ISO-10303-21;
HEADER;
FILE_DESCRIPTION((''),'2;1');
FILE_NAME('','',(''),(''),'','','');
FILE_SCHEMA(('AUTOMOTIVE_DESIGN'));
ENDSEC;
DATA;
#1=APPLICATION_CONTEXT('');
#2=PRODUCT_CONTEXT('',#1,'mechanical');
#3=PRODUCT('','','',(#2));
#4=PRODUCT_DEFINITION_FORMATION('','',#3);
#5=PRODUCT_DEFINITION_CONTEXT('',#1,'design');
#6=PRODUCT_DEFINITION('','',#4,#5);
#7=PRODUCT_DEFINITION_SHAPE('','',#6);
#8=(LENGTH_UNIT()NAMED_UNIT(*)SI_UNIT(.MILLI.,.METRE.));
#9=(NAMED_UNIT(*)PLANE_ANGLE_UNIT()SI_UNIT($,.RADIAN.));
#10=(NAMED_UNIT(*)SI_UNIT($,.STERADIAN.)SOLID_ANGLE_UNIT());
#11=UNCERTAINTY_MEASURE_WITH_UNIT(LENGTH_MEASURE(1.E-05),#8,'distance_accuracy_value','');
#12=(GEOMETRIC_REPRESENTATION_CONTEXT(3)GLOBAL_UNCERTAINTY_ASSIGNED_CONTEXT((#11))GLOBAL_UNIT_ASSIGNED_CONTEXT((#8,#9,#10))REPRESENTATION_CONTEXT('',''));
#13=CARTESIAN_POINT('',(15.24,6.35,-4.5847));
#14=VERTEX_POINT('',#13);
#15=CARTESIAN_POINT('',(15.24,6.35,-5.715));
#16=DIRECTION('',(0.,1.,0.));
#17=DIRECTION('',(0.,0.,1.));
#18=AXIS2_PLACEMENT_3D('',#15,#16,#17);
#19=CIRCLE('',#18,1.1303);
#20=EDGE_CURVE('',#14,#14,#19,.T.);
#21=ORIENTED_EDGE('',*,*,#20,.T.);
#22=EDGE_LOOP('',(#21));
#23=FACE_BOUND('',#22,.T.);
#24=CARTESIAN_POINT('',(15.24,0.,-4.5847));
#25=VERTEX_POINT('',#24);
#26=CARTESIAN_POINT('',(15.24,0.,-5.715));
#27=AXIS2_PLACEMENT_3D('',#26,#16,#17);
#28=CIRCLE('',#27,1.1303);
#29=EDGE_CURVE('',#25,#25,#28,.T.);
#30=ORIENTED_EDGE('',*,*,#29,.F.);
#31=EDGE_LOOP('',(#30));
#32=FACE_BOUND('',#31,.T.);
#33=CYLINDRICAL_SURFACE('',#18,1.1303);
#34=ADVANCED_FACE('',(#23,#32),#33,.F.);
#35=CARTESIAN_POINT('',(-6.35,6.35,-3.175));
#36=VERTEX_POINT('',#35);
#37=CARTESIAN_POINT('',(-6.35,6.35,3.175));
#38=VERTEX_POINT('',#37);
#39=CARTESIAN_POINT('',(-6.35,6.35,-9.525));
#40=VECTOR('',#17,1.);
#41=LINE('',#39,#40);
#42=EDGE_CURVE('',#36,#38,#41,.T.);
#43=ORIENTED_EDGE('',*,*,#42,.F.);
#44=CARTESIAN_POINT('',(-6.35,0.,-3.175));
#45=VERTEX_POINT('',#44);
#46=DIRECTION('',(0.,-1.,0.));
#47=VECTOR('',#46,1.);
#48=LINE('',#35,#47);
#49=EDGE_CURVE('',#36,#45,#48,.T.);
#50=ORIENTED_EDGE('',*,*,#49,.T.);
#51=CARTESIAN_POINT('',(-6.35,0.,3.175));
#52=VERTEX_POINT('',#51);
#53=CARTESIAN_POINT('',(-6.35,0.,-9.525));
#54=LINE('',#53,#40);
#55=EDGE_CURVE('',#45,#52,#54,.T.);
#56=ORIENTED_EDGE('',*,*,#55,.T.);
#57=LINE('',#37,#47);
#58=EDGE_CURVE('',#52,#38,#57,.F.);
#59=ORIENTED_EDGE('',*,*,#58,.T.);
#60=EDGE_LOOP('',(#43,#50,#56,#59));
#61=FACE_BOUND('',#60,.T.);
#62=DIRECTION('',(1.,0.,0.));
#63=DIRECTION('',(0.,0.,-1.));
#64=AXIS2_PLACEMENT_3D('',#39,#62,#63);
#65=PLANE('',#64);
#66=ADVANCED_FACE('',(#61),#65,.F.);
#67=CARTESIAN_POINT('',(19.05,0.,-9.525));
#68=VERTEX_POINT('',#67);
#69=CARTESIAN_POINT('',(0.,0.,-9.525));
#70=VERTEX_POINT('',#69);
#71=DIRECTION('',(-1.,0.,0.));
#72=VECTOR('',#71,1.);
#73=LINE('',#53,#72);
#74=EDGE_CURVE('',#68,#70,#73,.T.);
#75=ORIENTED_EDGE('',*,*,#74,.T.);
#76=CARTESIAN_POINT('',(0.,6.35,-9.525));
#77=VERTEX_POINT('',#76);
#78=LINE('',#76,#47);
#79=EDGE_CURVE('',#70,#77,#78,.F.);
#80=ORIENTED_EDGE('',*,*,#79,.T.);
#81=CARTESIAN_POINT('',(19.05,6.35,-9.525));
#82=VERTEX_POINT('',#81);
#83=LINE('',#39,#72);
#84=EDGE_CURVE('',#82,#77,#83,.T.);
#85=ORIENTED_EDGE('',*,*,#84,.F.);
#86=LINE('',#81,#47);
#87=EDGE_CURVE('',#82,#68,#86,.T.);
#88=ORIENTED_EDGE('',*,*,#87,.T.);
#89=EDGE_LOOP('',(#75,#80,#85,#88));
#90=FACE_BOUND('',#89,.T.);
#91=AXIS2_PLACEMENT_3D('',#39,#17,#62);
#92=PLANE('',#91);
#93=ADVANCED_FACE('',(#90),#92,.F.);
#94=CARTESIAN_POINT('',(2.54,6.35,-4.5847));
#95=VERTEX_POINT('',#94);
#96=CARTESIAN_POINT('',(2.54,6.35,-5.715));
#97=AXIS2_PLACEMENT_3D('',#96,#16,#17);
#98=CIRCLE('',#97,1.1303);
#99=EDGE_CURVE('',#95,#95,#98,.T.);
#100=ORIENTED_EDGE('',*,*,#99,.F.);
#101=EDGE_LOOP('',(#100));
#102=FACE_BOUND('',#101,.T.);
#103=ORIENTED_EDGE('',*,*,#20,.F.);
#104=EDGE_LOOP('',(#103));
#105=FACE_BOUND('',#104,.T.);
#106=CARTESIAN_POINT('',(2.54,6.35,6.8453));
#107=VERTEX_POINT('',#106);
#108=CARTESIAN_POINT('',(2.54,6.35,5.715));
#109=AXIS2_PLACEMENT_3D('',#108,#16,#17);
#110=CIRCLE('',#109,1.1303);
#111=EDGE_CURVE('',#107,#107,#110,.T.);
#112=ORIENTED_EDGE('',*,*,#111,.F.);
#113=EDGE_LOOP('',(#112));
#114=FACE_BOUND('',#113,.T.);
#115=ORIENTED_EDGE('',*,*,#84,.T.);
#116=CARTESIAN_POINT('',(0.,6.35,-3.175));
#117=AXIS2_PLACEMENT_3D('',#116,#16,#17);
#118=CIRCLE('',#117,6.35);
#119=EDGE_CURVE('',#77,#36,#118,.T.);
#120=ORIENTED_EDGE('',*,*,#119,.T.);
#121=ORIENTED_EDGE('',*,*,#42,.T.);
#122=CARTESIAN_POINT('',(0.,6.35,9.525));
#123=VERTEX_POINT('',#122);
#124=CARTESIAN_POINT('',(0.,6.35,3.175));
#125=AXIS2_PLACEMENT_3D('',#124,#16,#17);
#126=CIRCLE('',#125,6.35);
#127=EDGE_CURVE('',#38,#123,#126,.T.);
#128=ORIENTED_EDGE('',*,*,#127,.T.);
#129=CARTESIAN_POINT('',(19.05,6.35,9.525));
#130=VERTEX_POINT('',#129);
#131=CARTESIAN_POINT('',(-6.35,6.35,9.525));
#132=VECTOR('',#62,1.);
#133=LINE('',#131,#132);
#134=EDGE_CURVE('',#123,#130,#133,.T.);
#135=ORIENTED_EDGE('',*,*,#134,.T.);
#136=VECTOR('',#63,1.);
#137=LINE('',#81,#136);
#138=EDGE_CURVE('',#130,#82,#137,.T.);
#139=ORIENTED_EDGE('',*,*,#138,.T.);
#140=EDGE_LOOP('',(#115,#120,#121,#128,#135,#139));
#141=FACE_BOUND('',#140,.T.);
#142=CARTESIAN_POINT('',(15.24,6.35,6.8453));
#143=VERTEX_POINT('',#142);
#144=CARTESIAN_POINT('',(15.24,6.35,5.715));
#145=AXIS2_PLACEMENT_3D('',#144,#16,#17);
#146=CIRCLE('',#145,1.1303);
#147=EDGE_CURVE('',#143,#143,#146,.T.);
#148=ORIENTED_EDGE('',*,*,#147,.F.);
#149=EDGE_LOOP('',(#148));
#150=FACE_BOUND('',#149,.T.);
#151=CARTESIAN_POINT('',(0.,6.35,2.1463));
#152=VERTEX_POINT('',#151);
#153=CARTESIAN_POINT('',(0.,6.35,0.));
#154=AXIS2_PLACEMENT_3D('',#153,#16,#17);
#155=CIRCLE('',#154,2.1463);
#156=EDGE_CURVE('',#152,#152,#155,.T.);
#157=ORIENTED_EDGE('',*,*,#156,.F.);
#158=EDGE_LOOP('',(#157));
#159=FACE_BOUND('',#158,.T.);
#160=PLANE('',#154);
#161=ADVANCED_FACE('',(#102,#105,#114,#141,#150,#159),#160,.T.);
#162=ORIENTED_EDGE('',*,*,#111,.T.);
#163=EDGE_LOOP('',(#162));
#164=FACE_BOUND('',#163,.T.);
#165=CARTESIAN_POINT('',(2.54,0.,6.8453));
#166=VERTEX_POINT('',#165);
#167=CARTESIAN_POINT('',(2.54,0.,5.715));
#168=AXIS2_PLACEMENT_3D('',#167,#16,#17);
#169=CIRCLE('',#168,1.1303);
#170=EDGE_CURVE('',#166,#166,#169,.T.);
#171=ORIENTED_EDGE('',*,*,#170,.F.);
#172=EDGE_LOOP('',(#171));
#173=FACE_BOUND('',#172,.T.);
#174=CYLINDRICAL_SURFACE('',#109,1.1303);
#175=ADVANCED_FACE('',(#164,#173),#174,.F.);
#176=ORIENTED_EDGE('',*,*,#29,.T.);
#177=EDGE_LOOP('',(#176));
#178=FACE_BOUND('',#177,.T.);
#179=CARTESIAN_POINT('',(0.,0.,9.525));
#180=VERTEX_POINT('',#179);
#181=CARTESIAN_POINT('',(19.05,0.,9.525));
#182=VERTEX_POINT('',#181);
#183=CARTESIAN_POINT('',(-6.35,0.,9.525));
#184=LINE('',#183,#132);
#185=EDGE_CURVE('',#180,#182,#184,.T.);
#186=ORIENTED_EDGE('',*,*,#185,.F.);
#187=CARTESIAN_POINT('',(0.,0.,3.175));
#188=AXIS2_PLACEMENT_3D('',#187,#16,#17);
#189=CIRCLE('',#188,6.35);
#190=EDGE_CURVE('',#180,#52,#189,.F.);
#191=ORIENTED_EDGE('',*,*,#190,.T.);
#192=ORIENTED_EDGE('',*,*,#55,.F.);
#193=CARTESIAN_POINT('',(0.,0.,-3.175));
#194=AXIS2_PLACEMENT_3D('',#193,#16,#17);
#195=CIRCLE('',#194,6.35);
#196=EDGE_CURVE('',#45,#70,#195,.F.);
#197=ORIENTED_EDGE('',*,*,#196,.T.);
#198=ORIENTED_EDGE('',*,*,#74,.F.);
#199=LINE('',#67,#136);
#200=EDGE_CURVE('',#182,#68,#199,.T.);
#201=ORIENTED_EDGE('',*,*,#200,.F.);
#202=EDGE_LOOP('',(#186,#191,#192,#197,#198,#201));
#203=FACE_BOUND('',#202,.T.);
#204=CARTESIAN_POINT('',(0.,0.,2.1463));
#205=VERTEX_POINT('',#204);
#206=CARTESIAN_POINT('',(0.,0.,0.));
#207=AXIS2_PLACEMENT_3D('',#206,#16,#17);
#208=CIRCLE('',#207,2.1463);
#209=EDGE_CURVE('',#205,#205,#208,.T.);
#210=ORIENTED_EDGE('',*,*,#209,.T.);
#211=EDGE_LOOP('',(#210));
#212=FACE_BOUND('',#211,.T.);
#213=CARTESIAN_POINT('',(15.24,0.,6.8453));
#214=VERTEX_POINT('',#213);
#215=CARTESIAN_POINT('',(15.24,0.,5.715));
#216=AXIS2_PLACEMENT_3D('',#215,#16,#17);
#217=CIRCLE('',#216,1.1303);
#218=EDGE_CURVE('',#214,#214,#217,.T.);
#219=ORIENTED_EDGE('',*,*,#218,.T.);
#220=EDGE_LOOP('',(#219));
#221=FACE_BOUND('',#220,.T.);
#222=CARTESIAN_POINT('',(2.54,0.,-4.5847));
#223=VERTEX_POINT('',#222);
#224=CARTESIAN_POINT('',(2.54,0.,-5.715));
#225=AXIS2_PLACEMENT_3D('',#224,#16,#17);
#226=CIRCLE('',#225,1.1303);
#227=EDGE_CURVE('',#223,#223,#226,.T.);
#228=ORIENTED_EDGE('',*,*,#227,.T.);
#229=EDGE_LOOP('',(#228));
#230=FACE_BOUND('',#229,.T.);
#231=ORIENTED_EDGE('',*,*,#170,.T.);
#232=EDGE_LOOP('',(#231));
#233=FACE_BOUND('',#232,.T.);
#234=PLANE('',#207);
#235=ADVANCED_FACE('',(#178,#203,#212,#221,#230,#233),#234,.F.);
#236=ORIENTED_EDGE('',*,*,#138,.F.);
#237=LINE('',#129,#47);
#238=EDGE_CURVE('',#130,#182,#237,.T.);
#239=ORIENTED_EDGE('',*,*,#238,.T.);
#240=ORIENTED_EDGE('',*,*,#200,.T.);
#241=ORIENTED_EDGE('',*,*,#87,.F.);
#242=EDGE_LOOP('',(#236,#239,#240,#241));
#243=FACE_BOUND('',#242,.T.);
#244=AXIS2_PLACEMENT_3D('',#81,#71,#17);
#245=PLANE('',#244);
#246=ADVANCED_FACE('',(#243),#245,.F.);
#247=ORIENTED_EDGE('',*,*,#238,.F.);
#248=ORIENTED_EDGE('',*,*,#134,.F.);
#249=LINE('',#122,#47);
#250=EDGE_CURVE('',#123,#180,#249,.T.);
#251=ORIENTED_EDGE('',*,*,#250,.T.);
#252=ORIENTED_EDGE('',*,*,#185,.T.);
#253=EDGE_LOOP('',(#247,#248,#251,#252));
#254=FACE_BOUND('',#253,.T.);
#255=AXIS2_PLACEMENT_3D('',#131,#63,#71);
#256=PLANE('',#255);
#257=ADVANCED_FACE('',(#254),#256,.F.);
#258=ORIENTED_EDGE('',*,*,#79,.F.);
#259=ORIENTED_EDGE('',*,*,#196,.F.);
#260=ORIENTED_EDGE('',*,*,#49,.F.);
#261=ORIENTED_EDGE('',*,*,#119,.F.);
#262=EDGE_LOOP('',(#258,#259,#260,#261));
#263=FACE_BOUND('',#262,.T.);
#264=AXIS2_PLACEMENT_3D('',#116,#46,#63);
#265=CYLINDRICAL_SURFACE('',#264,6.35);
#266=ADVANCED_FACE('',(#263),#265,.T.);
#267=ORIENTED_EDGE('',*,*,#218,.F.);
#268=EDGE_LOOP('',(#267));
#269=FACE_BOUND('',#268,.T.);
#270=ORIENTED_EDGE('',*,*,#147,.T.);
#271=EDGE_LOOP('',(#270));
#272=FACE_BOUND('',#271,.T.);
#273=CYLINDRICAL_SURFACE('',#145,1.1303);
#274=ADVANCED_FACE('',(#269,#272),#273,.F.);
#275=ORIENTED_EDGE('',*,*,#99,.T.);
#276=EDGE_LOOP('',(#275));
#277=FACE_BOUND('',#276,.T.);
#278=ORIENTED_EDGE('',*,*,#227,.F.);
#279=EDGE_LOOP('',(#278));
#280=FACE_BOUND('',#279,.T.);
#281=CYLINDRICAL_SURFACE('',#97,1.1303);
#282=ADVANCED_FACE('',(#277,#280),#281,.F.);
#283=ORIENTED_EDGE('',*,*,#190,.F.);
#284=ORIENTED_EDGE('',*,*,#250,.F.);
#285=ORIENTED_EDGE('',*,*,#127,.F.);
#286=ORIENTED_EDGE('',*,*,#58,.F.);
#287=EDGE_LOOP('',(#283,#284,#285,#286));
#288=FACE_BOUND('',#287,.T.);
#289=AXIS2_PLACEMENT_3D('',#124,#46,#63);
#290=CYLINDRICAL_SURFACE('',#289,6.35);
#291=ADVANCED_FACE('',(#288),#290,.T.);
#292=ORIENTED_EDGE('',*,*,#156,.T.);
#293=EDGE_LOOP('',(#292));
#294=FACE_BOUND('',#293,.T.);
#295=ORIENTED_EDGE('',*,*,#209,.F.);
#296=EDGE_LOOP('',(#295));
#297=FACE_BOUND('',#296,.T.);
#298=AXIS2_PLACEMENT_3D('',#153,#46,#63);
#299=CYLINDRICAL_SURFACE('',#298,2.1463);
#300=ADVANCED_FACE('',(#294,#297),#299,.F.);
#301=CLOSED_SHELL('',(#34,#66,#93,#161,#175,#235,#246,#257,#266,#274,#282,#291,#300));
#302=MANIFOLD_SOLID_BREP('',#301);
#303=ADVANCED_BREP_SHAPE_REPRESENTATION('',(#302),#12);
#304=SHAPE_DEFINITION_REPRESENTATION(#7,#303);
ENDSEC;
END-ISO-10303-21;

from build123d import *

# Parameters (mm, degrees)
SKETCH1_W                 = 25.4
SKETCH1_H                 = 19.05
SKETCH1_R                 = 2.1463
BOSS_EXTRUDE1_DEPTH       = 6.35
F_4_40_TAPPED_HOLE1_D     = 2.2606
F_4_40_TAPPED_HOLE1_DEPTH = 7.5946
F_4_40_TAPPED_HOLE1_TIP   = 0.679152758
FILLET1_R                 = 6.35


with BuildPart() as part:
    # Sketch1 → Boss-Extrude1 (new body)
    with BuildSketch(Plane(origin=(0, 0, 0), x_dir=(1, 0, 0), z_dir=(0, 1, 0))):
        with Locations((6.35, 0)):
            Rectangle(SKETCH1_W, SKETCH1_H)
        Circle(SKETCH1_R, mode=Mode.SUBTRACT)
    extrude(amount=BOSS_EXTRUDE1_DEPTH)

    # #4-40 Tapped Hole1
    with Locations(Plane(origin=(0, 6.35, 0), x_dir=(1, 0, 0), z_dir=(0, 1, 0))):
        with Locations((2.54, 5.715), (15.24, -5.715), (2.54, -5.715), (15.24, 5.715)):
            Hole(F_4_40_TAPPED_HOLE1_D / 2, depth=F_4_40_TAPPED_HOLE1_DEPTH)
            with Locations((0, 0, -(F_4_40_TAPPED_HOLE1_DEPTH + F_4_40_TAPPED_HOLE1_TIP / 2))):  # 118° drill point
                Cone(0, F_4_40_TAPPED_HOLE1_D / 2, F_4_40_TAPPED_HOLE1_TIP, mode=Mode.SUBTRACT)

    # Fillet1
    fillet1_edges = [part.edges().sort_by_distance(p)[0] for p in [
        (-6.35, 3.175, -9.525),
        (-6.35, 3.175, 9.525),
    ]]
    fillet(fillet1_edges, radius=FILLET1_R)


solid = part.part
